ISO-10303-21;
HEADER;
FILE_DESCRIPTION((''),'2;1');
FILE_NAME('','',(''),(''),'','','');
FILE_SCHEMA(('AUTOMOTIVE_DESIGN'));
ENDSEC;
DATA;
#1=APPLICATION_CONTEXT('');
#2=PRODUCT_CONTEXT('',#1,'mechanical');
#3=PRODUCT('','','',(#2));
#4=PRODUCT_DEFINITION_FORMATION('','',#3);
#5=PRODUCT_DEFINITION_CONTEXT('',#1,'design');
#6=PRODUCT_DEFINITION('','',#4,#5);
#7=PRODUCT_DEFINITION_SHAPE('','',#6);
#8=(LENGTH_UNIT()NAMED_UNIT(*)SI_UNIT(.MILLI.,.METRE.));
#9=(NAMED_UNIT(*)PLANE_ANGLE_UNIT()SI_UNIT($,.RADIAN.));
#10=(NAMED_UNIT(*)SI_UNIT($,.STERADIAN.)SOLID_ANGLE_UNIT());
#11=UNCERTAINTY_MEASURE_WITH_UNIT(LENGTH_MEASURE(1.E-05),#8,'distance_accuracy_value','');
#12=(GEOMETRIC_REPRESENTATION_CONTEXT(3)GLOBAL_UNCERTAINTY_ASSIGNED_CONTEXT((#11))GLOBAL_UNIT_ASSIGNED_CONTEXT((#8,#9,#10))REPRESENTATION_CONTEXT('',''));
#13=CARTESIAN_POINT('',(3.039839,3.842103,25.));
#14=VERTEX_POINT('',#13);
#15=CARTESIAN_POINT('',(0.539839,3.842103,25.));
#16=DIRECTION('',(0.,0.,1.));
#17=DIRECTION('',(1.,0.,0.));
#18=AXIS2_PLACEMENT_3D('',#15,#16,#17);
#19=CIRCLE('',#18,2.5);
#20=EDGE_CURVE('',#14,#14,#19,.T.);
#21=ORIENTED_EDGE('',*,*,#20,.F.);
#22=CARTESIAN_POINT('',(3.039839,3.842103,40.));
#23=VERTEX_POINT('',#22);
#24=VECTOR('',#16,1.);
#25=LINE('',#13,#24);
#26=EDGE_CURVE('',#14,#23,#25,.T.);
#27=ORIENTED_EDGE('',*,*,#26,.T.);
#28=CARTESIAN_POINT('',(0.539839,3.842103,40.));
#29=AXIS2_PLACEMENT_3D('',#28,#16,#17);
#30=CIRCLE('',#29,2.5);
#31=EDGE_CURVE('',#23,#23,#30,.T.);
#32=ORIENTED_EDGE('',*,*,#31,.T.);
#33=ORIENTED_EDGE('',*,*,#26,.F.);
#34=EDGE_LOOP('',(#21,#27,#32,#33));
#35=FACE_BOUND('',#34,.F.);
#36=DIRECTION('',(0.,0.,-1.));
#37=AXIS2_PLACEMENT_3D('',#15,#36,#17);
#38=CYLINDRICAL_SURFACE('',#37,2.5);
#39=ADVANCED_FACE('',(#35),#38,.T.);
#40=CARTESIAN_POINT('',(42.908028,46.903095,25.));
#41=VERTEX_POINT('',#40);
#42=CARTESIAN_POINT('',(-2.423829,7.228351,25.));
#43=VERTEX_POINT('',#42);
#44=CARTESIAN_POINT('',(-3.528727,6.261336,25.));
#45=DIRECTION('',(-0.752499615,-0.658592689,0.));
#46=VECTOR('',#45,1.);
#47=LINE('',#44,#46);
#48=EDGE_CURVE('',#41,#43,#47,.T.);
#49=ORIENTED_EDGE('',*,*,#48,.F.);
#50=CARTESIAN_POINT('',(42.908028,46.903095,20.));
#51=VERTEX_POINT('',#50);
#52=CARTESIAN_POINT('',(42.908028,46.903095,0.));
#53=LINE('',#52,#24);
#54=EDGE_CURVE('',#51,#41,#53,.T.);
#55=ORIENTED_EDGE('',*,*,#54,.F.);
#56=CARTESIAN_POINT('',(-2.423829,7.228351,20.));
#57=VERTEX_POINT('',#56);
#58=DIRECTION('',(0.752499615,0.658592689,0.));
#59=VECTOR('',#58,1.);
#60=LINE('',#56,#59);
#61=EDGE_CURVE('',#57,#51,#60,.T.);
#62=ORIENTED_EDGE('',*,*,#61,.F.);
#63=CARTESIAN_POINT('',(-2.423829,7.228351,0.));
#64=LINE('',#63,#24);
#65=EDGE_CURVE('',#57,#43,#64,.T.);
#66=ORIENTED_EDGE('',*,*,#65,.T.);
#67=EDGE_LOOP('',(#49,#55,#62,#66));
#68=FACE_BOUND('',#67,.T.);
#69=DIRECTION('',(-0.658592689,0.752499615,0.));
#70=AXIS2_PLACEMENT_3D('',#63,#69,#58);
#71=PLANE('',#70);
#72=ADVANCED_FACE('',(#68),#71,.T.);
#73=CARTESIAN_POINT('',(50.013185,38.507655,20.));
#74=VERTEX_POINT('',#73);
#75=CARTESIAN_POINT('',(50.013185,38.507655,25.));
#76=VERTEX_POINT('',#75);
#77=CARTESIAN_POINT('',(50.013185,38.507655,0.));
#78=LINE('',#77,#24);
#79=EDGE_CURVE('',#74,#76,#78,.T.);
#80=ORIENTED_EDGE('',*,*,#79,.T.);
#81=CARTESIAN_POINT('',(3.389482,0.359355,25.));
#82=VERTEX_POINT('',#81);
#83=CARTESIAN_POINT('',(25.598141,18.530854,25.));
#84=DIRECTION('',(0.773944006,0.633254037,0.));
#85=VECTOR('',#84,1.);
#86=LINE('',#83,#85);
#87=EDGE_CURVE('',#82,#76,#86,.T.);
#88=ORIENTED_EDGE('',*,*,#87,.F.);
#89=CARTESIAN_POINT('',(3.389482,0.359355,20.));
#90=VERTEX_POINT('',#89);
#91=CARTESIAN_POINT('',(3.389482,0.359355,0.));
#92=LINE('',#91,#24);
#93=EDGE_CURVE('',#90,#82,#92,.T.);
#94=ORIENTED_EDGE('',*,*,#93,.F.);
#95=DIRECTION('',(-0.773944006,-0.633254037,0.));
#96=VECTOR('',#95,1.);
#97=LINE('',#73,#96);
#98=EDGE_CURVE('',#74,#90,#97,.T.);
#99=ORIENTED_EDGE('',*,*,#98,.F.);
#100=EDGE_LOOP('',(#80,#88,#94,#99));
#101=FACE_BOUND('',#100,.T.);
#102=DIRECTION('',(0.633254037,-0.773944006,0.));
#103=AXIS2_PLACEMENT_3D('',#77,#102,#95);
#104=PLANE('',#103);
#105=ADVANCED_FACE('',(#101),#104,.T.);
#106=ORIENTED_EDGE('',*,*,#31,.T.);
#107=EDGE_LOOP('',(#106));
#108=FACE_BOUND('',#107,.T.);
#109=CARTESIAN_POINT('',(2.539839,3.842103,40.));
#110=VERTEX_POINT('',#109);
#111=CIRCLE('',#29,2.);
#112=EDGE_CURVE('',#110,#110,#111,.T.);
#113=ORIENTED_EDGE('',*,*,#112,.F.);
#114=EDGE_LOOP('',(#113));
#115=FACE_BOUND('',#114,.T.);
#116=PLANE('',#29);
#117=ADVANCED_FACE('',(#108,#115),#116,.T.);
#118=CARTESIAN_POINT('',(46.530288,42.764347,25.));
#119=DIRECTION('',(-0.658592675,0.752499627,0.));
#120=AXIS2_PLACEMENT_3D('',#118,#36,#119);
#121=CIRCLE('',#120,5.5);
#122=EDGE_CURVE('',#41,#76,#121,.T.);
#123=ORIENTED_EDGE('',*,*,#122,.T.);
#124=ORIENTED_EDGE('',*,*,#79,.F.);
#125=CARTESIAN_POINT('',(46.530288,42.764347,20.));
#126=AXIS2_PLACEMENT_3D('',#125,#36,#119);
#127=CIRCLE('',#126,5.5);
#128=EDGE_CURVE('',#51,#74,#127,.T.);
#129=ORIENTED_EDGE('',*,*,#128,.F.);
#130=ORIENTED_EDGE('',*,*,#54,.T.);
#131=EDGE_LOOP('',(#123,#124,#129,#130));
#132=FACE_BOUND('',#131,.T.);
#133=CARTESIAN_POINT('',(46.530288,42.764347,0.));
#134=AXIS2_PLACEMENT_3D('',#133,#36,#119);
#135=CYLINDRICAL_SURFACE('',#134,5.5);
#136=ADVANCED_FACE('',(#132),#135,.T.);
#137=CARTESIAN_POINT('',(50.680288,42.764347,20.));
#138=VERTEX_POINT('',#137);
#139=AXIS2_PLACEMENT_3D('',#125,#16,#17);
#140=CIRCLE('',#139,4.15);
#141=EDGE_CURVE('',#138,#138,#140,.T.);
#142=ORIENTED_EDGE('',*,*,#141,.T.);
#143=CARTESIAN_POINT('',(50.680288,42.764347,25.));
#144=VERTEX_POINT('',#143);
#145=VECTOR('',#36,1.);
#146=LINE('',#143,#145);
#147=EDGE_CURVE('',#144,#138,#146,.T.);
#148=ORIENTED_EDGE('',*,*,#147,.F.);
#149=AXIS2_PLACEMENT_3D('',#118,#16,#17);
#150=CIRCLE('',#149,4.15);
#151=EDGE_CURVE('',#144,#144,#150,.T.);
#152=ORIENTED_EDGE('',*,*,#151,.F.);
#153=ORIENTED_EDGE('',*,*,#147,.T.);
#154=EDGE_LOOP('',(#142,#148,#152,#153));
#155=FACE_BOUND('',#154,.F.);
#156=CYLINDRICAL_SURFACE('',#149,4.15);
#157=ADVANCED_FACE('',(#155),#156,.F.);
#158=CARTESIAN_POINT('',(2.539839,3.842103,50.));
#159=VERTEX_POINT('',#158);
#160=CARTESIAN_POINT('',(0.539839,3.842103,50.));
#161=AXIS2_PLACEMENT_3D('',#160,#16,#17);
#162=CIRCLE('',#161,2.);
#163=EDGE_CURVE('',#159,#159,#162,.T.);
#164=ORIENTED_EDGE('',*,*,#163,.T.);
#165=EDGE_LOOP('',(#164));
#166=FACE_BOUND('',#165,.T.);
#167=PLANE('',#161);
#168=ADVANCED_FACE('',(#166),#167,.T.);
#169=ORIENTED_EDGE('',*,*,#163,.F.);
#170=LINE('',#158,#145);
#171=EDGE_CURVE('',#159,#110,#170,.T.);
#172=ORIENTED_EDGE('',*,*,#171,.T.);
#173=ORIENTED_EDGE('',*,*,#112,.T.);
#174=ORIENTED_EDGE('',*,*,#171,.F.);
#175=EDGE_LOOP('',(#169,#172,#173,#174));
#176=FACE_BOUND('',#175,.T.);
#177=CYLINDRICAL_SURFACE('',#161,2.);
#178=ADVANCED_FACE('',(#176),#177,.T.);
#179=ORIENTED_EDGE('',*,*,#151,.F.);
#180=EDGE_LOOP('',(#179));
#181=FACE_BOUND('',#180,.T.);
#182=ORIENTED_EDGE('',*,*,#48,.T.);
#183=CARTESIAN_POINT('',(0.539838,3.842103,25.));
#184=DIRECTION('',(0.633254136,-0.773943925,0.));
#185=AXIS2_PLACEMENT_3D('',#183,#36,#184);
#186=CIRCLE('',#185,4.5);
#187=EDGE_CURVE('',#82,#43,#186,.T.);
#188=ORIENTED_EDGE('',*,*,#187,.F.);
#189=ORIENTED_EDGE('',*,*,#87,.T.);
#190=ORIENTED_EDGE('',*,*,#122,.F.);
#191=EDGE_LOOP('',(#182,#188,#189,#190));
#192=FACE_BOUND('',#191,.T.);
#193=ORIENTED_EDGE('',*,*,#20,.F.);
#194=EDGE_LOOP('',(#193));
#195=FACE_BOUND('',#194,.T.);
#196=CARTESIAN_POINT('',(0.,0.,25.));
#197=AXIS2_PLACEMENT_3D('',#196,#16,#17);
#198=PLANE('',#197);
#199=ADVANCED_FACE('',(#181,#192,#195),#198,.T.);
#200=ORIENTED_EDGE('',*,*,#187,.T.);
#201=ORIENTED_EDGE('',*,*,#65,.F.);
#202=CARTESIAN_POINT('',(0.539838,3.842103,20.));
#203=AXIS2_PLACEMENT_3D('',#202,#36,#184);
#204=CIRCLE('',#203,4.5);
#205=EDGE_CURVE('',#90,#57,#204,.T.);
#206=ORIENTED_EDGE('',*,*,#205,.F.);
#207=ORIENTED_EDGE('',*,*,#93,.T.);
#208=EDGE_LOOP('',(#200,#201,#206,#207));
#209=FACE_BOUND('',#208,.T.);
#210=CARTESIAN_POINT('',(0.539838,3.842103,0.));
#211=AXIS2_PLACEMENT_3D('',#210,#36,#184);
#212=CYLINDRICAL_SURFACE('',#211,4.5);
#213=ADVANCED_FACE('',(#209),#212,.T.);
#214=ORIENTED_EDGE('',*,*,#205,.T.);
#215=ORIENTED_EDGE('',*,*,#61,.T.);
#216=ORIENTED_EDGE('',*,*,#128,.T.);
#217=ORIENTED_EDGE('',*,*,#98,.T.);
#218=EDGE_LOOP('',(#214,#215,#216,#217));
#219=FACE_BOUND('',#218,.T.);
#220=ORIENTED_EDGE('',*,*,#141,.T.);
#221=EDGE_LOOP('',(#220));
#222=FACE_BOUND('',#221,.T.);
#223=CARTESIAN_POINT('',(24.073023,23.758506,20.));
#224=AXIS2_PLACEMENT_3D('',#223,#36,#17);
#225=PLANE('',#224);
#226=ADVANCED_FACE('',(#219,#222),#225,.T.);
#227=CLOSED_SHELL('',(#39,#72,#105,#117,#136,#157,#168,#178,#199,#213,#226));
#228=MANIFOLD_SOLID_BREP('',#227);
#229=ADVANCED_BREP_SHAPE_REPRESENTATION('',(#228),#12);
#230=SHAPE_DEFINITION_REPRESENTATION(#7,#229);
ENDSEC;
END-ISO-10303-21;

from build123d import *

# Parameters (mm, degrees)
F0_W      = 140
F0_H      = 120
F1_DEPTH  = 25
F2_R      = 4.15
F3_DEPTH  = 25.001
F4_R      = 2.5
F5_DEPTH  = 25
F7_DEPTH  = 50.001
F9_DEPTH  = 20
F10_R     = 2.5
F10_R_2   = 2
F11_DEPTH = 10


with BuildPart() as f1:
    # F0 (on Top) → F1 (new body)
    with BuildSketch(Plane.XY):
        Rectangle(F0_W, F0_H)
    extrude(amount=F1_DEPTH)

    # F2 (on face) → F3 (cut, through all)
    with BuildSketch(Plane.XY.offset(25)):
        with Locations((46.530288, 42.764347)):
            Circle(F2_R)
    extrude(amount=-F3_DEPTH, mode=Mode.SUBTRACT)

    # F4 (on face) → F5 (join)
    with BuildSketch(Plane.XY.offset(25)):
        with Locations((0.539839, 3.842103)):
            Circle(F4_R)
    extrude(amount=F5_DEPTH)

    # F6 (on face) → F7 (intersect, through all)
    with BuildSketch(Plane(origin=(0, 0, 0), x_dir=(1, 0, 0), z_dir=(0, 0, -1))):
        with BuildLine():
            Line((-2.423829, -7.228351), (42.908028, -46.903095))
            ThreePointArc((42.908028, -46.903095), (50.728586, -46.317415), (50.013185, -38.507655))
            Line((50.013185, -38.507655), (3.389482, -0.359355))
            ThreePointArc((3.389482, -0.359355), (-2.895133, -0.935047), (-2.423829, -7.228351))
        make_face()
    extrude(amount=-F7_DEPTH, mode=Mode.INTERSECT)

    # F8 (on face) → F9 (cut)
    with BuildSketch(Plane(origin=(0, 0, 0), x_dir=(1, 0, 0), z_dir=(0, 0, -1))):
        with BuildLine():
            ThreePointArc((42.908028, -46.903095), (50.728586, -46.317415), (50.013185, -38.507655))
            Line((50.013185, -38.507655), (3.389482, -0.359355))
            ThreePointArc((3.389482, -0.359355), (-2.895133, -0.935047), (-2.423829, -7.228351))
            Line((-2.423829, -7.228351), (42.908028, -46.903095))
        make_face()
    extrude(amount=-F9_DEPTH, mode=Mode.SUBTRACT)

    # F10 (on face) → F11 (cut)
    with BuildSketch(Plane.XY.offset(50)):
        with Locations((0.539839, 3.842103)):
            Circle(F10_R)
        with Locations((0.539839, 3.842103)):
            Circle(F10_R_2, mode=Mode.SUBTRACT)
    extrude(amount=-F11_DEPTH, mode=Mode.SUBTRACT)


solid = f1.part
